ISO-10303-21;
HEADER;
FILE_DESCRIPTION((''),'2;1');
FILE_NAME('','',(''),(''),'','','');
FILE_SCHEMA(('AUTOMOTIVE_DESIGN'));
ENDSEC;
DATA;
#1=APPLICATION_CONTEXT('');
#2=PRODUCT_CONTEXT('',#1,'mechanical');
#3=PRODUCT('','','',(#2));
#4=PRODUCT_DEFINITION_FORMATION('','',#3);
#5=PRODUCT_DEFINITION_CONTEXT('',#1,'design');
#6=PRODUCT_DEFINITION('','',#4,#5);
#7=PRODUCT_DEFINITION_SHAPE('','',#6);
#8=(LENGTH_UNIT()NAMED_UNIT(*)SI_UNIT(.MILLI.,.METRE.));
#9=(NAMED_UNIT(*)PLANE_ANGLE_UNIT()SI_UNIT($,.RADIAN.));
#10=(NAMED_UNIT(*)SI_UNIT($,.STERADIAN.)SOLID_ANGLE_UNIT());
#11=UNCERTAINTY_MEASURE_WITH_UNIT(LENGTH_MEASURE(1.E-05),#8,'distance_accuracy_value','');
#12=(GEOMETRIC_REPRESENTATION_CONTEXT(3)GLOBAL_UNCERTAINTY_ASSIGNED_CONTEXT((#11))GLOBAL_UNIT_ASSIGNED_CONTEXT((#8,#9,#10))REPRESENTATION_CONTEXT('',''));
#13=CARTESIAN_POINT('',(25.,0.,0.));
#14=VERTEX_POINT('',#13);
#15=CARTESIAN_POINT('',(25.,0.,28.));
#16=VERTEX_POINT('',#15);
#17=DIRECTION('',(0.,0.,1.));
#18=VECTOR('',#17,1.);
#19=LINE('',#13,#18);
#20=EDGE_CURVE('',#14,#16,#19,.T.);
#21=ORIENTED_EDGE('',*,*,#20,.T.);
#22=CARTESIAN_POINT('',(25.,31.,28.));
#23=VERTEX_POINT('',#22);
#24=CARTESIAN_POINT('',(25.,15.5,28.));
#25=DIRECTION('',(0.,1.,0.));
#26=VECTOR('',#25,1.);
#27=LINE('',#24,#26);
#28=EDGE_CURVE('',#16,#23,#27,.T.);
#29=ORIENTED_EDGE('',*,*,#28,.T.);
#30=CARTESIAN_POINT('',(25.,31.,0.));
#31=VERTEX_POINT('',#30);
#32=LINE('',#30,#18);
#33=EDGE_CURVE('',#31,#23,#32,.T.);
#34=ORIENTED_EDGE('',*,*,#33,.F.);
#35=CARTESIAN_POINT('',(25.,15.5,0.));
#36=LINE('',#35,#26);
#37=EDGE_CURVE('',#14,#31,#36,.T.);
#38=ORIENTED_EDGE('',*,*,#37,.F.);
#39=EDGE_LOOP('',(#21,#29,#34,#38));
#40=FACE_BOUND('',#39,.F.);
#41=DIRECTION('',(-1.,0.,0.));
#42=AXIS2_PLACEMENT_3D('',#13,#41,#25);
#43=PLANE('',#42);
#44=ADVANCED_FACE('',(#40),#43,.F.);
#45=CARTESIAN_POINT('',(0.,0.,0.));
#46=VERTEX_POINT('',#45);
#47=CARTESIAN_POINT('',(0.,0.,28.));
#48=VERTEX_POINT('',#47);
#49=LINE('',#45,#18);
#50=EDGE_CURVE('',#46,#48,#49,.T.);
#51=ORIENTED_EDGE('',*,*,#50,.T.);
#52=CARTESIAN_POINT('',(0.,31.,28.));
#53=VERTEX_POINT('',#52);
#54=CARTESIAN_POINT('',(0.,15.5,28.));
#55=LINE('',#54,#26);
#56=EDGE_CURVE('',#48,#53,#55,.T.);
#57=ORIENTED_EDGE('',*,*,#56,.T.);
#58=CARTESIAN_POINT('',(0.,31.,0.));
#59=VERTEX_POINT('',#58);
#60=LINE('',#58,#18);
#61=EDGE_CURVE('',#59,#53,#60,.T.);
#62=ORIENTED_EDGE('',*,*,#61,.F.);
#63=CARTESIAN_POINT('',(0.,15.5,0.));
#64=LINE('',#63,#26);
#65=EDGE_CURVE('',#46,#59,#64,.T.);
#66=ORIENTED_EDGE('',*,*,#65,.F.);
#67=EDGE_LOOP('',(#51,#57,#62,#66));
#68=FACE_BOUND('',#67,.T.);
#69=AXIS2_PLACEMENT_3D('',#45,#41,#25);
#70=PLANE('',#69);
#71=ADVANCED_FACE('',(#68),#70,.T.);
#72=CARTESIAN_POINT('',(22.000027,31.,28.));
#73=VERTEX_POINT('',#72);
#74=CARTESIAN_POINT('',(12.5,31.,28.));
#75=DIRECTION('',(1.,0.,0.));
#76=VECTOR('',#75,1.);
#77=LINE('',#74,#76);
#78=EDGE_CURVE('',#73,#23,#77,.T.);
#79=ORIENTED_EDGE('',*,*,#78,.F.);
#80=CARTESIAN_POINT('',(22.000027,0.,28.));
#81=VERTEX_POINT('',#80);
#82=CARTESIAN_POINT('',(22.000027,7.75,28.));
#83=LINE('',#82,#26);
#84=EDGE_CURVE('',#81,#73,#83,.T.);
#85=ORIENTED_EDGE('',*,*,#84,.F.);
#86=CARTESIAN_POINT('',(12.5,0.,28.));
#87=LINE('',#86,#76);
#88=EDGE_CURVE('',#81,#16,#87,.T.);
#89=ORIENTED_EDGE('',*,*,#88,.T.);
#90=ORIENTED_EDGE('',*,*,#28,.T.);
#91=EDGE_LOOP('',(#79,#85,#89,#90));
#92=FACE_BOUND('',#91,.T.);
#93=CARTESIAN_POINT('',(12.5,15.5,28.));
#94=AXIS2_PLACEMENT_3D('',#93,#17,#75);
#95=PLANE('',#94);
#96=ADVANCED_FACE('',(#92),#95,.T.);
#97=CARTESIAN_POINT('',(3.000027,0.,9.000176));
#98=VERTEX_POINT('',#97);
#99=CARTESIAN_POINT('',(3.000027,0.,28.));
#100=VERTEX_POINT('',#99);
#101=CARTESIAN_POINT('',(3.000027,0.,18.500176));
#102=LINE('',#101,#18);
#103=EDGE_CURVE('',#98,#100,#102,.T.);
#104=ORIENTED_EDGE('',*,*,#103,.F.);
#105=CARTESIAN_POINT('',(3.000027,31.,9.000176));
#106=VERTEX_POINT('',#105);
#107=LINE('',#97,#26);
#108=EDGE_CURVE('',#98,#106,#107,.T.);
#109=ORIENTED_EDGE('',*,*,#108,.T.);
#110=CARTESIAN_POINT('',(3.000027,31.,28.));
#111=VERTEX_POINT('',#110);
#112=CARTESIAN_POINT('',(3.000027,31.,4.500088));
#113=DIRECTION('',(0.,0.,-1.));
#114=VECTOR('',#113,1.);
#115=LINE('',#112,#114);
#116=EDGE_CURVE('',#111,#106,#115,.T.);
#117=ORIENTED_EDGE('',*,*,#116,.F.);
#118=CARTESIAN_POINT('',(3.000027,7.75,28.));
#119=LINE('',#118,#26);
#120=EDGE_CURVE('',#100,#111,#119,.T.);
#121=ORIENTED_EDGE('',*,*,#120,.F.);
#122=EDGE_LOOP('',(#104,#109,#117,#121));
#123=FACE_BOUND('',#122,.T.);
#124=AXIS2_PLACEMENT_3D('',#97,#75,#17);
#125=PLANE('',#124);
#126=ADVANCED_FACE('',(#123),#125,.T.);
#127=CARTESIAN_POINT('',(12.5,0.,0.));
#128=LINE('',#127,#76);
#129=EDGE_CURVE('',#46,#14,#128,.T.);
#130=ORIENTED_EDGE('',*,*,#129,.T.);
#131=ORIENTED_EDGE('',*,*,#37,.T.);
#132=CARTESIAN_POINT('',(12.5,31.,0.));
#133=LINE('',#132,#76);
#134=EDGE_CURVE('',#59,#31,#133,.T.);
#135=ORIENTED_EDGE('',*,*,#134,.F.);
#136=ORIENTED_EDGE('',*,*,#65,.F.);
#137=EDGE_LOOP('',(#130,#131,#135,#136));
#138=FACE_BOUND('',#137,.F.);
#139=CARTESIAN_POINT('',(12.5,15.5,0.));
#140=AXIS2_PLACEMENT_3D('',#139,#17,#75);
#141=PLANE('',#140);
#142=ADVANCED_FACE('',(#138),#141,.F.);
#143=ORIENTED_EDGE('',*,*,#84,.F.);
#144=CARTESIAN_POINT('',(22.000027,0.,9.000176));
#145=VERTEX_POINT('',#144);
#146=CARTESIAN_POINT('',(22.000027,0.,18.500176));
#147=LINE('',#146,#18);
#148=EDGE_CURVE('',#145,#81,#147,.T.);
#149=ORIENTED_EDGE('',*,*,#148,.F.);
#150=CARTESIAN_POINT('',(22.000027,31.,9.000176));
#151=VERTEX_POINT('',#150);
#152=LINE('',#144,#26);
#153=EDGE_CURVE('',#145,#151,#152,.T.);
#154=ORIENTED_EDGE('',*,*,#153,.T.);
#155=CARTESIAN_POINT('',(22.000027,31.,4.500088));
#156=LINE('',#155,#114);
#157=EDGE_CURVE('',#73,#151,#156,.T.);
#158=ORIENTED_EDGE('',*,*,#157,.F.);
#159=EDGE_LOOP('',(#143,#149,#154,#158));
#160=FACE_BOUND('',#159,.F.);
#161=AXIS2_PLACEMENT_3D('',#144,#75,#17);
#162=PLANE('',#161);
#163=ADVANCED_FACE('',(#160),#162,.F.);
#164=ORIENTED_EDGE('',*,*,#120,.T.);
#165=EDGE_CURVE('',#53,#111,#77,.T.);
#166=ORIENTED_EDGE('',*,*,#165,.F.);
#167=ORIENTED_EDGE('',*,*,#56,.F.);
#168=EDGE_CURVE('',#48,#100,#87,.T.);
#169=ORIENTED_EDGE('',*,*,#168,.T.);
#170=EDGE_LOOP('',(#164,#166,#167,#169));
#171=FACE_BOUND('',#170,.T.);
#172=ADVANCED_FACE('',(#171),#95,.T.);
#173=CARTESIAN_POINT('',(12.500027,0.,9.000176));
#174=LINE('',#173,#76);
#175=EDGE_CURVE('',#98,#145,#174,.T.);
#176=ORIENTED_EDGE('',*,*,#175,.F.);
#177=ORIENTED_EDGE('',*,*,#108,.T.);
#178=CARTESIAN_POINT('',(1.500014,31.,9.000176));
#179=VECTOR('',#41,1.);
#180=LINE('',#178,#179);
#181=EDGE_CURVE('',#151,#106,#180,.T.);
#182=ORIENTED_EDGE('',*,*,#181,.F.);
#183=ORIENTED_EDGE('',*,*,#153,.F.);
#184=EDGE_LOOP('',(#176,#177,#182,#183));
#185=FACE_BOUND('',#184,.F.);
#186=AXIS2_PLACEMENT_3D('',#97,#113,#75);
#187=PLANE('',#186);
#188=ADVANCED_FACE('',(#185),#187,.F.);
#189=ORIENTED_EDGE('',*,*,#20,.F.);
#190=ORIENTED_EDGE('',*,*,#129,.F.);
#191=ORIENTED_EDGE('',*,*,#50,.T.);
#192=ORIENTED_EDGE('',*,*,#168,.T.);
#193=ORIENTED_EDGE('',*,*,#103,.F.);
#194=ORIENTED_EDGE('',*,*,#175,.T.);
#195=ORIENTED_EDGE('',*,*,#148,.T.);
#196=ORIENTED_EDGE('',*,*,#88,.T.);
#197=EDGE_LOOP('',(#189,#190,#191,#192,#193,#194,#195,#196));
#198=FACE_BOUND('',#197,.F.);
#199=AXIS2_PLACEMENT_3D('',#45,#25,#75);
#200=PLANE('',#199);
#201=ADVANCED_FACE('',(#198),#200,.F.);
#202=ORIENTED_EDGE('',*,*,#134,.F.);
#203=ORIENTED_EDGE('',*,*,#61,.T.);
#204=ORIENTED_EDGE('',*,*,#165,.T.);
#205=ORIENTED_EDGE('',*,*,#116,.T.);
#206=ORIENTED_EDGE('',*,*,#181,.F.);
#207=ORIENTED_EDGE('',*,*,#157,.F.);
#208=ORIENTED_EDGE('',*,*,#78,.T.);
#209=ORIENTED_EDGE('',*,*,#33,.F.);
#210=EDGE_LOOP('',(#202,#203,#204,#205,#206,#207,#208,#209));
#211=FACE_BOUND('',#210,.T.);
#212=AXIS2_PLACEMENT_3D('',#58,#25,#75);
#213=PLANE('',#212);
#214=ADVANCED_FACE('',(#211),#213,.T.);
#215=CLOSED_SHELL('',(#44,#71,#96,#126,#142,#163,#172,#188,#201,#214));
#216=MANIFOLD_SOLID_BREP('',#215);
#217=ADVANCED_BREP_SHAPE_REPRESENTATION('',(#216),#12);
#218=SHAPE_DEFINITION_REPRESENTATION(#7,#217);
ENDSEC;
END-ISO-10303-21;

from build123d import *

# Parameters (mm, degrees)
F0_W     = 25
F0_H     = 31
F1_DEPTH = 28
F3_W     = 19
F3_H     = 19
F4_DEPTH = 31.001


with BuildPart() as f1:
    # F0 (on Top) → F1 (new body)
    with BuildSketch(Plane.XY):
        with Locations((12.5, 15.5)):
            Rectangle(F0_W, F0_H)
    extrude(amount=F1_DEPTH)

    # F3 (on face) → F4 (cut, through all)
    with BuildSketch(Plane.XZ):
        with Locations((12.500027, 18.500176)):
            Rectangle(F3_W, F3_H)
    extrude(amount=-F4_DEPTH, mode=Mode.SUBTRACT)


solid = f1.part
